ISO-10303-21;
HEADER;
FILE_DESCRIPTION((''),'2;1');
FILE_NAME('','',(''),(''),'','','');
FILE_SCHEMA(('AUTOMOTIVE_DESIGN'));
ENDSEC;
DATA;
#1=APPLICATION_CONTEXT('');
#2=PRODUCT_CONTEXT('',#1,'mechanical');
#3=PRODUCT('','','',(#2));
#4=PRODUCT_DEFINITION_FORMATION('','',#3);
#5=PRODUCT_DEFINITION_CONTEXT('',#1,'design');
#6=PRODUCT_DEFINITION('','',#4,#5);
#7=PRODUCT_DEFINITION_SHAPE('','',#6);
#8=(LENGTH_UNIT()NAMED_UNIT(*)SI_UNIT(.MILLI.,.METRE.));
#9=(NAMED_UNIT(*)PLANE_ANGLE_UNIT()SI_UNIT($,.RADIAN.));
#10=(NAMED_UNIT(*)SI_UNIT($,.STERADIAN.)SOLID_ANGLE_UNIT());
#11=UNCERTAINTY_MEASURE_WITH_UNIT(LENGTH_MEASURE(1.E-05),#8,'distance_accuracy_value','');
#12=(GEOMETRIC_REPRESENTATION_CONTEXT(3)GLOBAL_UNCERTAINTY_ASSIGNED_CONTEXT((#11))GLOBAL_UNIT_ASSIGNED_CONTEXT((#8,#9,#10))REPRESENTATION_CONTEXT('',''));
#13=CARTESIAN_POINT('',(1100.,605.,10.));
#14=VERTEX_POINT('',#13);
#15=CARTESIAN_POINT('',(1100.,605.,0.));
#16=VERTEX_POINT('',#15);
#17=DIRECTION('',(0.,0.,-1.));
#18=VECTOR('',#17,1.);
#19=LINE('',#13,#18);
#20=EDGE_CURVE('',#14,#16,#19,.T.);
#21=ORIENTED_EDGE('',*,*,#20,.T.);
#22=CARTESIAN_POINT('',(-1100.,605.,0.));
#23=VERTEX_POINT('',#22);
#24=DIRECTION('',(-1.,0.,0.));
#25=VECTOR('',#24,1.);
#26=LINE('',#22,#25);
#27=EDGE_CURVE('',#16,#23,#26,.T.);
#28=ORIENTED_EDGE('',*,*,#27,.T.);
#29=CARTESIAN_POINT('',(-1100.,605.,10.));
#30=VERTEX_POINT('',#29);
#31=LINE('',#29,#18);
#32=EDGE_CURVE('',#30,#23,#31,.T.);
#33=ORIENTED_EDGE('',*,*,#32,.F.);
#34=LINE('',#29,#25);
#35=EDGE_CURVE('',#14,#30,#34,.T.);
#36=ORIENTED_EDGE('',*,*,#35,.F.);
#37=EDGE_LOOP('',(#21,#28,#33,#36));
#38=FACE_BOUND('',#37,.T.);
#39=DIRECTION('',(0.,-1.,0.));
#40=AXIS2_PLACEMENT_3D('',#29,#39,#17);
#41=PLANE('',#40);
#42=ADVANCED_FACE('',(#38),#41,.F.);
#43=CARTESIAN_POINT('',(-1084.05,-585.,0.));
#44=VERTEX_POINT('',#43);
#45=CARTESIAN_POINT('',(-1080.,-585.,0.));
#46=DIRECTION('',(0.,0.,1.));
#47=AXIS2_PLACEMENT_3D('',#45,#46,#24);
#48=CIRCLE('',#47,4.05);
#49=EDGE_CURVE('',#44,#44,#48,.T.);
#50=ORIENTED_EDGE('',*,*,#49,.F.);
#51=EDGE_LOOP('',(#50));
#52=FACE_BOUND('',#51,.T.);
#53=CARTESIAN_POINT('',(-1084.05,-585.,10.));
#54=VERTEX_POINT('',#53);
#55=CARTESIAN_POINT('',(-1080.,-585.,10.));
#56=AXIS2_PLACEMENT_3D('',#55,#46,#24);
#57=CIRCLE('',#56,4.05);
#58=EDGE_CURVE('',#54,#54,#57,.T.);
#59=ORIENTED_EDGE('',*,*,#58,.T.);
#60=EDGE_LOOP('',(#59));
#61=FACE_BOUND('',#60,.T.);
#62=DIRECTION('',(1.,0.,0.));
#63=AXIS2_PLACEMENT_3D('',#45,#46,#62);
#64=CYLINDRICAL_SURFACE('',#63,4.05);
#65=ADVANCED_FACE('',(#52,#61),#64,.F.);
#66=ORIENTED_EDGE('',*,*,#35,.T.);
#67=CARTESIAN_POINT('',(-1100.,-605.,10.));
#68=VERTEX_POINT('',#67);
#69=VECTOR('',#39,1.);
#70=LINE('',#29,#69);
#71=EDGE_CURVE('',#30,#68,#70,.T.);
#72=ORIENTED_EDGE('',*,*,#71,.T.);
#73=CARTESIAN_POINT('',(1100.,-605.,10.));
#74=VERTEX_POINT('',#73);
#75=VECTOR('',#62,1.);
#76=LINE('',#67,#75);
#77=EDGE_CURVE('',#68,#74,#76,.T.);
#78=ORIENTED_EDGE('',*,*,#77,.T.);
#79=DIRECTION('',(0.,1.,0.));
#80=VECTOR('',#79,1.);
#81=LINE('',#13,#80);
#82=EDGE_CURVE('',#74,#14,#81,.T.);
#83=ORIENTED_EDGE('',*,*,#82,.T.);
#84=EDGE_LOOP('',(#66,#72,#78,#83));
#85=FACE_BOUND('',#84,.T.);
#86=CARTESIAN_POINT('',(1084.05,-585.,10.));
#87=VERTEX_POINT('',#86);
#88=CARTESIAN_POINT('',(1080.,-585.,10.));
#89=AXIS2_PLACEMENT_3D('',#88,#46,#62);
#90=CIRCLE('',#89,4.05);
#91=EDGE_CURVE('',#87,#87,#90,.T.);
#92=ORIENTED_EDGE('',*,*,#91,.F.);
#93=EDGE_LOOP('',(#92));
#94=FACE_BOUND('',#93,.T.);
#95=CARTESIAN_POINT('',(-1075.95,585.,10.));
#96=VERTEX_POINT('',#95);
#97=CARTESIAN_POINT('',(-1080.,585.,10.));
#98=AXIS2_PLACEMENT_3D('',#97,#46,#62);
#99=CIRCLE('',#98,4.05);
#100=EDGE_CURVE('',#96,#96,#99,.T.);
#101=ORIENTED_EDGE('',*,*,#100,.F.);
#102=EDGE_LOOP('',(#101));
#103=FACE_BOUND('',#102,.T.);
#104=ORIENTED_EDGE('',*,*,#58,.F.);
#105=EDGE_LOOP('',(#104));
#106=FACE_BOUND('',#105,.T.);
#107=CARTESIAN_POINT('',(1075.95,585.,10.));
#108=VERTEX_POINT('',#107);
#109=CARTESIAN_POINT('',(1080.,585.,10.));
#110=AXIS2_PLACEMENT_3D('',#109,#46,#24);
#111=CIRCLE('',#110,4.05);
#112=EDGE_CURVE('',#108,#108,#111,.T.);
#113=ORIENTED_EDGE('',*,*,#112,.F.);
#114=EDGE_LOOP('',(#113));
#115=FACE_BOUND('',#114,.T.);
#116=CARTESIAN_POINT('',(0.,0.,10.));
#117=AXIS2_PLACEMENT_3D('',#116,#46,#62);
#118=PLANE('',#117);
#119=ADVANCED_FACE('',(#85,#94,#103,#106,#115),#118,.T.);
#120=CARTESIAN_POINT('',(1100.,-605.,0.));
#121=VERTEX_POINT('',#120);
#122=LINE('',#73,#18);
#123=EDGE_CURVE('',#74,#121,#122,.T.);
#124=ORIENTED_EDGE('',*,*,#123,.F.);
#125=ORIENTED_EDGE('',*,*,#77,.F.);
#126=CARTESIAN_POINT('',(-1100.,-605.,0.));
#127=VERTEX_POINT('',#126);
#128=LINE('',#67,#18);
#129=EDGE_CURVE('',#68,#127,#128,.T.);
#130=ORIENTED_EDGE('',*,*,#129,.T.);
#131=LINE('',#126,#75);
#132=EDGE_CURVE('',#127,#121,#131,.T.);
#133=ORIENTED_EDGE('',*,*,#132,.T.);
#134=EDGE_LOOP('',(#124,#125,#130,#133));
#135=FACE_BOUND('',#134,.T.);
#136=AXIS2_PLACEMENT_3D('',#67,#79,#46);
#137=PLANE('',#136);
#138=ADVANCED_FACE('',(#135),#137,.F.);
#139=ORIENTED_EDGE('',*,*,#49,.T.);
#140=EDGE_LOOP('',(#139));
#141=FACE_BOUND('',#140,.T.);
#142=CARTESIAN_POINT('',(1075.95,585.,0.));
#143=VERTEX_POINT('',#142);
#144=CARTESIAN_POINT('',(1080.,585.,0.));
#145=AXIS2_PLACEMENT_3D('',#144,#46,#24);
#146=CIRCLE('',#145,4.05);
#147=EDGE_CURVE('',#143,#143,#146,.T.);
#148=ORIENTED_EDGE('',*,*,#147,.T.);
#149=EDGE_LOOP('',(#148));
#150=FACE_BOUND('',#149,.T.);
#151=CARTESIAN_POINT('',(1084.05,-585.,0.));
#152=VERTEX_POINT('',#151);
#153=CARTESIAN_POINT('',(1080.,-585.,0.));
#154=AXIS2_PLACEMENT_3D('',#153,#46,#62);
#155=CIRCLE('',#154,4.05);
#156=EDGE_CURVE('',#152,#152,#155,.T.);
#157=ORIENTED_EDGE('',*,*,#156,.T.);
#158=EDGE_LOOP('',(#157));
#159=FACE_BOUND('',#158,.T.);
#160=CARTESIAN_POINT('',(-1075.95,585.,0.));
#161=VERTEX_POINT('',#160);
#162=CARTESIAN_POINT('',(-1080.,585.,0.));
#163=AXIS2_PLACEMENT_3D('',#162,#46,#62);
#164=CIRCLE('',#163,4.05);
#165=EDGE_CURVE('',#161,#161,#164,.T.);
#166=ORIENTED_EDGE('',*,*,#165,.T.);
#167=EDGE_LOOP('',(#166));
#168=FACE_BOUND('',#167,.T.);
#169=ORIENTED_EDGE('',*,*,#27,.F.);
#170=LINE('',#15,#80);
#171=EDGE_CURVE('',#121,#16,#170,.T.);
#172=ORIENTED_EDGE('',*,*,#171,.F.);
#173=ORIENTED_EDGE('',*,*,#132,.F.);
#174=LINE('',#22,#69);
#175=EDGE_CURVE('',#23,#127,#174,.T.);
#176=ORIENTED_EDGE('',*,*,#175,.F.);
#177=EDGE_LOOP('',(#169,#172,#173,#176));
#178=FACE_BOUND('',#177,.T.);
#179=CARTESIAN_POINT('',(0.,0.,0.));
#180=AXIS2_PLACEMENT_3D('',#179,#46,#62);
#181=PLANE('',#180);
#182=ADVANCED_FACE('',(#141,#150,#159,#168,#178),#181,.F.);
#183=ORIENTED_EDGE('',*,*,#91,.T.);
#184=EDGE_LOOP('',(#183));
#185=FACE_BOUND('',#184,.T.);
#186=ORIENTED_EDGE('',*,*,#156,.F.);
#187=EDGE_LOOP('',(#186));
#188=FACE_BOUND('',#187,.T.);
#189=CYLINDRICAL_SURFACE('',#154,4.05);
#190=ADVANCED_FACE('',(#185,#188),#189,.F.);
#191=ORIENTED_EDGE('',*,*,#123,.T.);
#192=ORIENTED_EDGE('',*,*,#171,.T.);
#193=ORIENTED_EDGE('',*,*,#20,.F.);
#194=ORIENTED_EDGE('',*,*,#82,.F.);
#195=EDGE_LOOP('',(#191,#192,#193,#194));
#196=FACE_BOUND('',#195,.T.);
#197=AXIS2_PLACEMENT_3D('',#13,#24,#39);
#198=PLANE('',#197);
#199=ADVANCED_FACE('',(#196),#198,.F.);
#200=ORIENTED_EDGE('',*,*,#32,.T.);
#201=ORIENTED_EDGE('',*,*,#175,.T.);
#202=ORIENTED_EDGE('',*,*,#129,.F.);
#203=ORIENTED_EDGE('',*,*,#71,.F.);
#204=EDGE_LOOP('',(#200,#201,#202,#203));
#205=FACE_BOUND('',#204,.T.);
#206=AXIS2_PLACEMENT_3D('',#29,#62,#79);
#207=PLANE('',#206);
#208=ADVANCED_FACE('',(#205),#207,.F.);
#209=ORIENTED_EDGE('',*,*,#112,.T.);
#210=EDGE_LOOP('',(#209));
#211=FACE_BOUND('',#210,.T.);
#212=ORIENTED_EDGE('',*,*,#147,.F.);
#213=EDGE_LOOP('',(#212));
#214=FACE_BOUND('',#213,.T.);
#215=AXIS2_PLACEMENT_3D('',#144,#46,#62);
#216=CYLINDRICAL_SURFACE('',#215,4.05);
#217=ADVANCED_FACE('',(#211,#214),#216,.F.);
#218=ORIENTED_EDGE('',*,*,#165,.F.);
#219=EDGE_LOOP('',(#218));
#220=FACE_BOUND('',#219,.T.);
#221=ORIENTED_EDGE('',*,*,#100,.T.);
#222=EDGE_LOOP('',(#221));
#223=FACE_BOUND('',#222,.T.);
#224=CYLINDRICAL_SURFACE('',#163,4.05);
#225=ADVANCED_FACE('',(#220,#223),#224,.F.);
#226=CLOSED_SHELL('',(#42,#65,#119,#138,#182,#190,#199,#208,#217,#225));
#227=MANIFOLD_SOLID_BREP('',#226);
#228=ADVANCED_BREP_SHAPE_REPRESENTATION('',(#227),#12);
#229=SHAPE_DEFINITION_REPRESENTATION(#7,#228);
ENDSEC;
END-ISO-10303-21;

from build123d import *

# Parameters (mm, degrees)
SKETCH_1_W          = 2200
SKETCH_1_H          = 1210
EXTRUDE_1_DEPTH     = 10
SKETCH_2_R          = 4.05
CUT_EXTRUDE_1_DEPTH = 10


with BuildPart() as part:
    # 草图1 → 凸台-拉伸1 (new body)
    with BuildSketch(Plane.XY):
        Rectangle(SKETCH_1_W, SKETCH_1_H)
    extrude(amount=EXTRUDE_1_DEPTH)

    # 草图2 → 切除-拉伸1 (cut)
    with BuildSketch(Plane.XY.offset(10)):
        with Locations((-1080, 585)):
            Circle(SKETCH_2_R)
        with Locations(Location((1080, 585, 0), (0, 0, 180))):
            Circle(SKETCH_2_R)
        with Locations((1080, -585)):
            Circle(SKETCH_2_R)
        with Locations(Location((-1080, -585, 0), (0, 0, 180))):
            Circle(SKETCH_2_R)
    extrude(amount=-CUT_EXTRUDE_1_DEPTH, mode=Mode.SUBTRACT)


solid = part.part
